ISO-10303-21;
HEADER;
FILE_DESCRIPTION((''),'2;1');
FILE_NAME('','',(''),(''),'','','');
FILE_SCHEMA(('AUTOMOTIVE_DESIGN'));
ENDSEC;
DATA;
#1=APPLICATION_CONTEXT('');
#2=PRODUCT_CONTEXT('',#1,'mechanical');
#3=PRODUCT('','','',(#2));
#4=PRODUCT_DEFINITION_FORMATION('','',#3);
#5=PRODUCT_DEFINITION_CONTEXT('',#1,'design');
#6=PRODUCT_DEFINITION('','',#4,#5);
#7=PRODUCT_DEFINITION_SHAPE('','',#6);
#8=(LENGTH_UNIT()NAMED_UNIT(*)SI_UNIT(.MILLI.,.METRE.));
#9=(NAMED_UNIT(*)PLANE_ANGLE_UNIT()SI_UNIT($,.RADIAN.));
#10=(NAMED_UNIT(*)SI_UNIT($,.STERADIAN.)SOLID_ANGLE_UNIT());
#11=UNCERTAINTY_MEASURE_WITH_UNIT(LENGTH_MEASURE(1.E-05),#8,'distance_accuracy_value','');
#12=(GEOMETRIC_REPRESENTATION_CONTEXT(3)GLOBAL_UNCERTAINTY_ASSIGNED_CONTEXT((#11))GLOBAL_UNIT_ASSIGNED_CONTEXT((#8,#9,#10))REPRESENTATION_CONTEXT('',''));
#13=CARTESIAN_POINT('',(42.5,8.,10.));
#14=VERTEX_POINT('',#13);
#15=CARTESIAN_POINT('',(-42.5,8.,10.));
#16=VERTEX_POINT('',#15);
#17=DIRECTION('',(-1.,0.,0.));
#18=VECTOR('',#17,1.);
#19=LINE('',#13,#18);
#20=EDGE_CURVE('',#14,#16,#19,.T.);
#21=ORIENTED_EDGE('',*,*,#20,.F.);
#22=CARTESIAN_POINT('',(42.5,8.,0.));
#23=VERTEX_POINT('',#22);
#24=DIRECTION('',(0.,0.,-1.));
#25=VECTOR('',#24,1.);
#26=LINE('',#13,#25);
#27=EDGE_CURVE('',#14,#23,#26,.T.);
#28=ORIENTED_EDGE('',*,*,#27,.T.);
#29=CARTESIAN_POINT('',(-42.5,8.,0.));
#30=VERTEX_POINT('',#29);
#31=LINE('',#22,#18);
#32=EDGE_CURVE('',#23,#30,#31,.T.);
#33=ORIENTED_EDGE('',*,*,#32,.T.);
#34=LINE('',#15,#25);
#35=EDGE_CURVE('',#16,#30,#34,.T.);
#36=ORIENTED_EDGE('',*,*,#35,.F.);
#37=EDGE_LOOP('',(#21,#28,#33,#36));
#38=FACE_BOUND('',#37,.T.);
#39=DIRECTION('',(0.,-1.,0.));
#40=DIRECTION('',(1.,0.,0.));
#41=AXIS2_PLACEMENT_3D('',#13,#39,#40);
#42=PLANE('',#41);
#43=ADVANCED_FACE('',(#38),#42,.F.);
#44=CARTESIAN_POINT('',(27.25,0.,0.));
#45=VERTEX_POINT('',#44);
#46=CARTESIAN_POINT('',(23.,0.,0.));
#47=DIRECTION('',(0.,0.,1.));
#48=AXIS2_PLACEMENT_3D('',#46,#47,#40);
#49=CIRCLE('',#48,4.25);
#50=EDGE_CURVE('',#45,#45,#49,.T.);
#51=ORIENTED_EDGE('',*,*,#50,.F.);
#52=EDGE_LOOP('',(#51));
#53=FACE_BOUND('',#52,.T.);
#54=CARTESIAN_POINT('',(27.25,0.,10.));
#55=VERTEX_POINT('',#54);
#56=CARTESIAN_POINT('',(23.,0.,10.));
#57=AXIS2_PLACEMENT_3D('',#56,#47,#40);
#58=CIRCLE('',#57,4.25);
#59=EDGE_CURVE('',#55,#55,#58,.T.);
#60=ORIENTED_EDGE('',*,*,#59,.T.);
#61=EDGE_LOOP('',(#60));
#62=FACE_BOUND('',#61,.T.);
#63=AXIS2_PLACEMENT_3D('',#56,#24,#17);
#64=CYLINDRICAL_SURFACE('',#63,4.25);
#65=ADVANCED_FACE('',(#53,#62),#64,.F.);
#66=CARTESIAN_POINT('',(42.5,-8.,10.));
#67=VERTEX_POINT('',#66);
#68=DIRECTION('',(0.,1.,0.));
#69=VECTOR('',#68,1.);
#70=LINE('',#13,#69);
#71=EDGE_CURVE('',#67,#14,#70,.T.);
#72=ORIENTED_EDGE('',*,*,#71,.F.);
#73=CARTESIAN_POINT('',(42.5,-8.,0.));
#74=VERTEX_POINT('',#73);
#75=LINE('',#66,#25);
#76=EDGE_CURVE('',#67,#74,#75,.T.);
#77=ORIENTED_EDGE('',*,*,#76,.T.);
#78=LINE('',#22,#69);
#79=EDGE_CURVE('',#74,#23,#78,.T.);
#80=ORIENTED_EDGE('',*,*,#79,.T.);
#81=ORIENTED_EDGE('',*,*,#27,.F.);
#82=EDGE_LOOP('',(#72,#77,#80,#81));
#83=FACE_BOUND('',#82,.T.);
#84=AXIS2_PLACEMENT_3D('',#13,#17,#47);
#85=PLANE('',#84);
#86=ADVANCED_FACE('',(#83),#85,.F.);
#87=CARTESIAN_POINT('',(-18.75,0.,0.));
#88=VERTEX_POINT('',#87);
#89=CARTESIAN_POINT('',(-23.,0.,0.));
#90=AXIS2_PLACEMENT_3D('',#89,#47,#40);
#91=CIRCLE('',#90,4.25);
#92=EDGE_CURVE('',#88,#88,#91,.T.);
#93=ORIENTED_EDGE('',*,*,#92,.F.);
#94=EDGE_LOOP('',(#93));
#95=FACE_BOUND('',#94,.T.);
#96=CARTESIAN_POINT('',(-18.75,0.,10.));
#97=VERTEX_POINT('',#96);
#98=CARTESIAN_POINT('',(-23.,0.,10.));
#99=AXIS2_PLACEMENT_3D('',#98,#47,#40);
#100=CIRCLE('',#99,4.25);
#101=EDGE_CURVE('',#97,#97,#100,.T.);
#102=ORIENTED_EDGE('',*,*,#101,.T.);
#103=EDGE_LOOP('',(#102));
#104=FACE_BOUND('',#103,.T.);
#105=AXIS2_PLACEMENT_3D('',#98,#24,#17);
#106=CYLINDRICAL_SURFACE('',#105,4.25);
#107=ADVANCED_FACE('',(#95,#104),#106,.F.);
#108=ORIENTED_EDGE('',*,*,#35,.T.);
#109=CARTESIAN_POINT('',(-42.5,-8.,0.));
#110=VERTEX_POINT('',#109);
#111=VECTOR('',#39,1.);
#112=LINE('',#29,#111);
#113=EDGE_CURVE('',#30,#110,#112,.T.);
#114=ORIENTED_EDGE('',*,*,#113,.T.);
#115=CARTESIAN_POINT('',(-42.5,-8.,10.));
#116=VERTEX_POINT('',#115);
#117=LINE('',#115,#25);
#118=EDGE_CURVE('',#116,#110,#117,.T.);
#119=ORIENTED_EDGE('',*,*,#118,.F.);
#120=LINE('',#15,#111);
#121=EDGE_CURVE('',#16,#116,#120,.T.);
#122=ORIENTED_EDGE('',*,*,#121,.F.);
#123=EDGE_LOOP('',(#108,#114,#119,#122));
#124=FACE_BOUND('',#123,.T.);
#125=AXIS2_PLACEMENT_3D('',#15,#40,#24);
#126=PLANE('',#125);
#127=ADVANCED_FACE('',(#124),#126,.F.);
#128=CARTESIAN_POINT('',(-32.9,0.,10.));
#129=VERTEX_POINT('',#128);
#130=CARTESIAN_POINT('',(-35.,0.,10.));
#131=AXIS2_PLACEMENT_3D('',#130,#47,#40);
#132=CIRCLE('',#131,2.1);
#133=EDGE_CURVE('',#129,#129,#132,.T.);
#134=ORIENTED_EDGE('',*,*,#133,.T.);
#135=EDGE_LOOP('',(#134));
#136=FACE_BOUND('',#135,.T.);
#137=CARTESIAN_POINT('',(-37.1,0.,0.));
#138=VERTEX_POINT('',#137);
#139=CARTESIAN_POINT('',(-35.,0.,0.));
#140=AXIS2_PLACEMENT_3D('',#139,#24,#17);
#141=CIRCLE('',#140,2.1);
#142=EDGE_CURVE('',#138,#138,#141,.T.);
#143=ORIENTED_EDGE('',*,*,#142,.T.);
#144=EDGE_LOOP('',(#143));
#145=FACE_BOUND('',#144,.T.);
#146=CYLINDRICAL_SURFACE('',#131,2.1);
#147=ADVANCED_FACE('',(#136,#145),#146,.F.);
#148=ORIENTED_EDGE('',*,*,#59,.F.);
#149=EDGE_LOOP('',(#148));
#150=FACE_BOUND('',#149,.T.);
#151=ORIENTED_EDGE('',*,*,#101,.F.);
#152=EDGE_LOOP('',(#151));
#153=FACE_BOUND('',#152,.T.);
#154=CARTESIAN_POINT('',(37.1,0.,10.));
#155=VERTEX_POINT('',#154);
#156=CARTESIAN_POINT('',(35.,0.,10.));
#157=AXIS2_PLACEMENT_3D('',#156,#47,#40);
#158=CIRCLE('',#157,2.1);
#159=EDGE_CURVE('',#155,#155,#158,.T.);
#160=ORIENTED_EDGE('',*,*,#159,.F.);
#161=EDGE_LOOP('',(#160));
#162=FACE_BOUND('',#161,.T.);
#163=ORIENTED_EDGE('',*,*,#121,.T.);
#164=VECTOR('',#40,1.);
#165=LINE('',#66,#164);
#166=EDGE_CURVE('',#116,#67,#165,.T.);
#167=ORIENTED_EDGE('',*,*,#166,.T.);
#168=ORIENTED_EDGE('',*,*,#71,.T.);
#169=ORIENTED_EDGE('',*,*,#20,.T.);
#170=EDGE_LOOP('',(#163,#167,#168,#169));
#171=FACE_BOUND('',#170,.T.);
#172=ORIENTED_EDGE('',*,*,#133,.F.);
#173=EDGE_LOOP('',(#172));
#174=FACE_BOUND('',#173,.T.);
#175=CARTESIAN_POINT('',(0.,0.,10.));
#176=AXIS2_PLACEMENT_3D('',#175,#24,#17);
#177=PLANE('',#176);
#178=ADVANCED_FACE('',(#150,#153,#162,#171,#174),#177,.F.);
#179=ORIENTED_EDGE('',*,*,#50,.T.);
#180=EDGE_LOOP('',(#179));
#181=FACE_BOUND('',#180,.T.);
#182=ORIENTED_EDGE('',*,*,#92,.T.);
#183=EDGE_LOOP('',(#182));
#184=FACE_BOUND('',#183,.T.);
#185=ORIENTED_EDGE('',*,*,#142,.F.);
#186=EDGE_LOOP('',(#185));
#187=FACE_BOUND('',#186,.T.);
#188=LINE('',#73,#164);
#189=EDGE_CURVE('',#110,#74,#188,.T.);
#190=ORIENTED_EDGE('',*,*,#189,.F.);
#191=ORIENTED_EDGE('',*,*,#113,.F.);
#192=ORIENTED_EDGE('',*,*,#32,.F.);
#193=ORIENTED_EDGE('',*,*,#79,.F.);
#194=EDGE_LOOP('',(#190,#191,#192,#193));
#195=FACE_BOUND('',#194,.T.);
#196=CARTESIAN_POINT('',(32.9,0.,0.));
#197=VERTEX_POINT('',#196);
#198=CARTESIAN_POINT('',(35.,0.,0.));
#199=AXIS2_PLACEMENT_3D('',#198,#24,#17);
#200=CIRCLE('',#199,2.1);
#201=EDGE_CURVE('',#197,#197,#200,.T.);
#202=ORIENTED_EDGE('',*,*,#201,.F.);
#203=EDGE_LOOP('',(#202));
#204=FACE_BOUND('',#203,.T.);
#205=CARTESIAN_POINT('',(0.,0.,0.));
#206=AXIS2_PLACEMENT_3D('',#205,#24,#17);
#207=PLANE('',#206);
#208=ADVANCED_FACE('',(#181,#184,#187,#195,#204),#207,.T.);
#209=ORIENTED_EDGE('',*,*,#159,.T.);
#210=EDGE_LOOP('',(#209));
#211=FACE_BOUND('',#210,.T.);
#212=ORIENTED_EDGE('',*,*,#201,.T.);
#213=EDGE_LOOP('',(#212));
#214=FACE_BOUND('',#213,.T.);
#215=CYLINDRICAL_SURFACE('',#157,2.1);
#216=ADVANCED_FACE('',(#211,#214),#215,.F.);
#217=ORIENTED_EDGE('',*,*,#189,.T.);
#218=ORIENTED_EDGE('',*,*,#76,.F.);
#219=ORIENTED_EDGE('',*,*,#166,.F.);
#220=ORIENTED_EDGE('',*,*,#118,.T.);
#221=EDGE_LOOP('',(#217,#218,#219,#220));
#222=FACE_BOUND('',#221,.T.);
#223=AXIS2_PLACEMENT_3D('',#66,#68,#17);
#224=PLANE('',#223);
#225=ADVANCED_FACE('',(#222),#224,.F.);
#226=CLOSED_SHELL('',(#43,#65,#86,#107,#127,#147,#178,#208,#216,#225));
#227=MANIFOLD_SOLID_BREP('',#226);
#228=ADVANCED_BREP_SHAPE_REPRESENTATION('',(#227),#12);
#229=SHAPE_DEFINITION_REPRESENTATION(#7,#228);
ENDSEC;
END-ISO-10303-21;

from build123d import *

# Parameters (mm, degrees)
SKETCH_1_W             = 85
SKETCH_1_H             = 16
SKETCH_1_R             = 4.25
EXTRUDE_1_DEPTH        = 10
HOLE_WIZARD_M5_1_D     = 4.2
HOLE_WIZARD_M5_1_DEPTH = 14.9
HOLE_WIZARD_M5_1_TIP   = 1.2618073


with BuildPart() as part:
    # 草图1 → 凸台-拉伸1 (new body)
    with BuildSketch(Plane.XY):
        Rectangle(SKETCH_1_W, SKETCH_1_H)
        with Locations((-23, 0)):
            Circle(SKETCH_1_R, mode=Mode.SUBTRACT)
        with Locations((23, 0)):
            Circle(SKETCH_1_R, mode=Mode.SUBTRACT)
    extrude(amount=EXTRUDE_1_DEPTH)

    # M5 螺纹孔1
    with Locations(Plane.XY.offset(10)):
        with Locations((-35, 0), (35, 0)):
            Hole(HOLE_WIZARD_M5_1_D / 2, depth=HOLE_WIZARD_M5_1_DEPTH)
            with Locations((0, 0, -(HOLE_WIZARD_M5_1_DEPTH + HOLE_WIZARD_M5_1_TIP / 2))):  # 118° drill point
                Cone(0, HOLE_WIZARD_M5_1_D / 2, HOLE_WIZARD_M5_1_TIP, mode=Mode.SUBTRACT)


solid = part.part
